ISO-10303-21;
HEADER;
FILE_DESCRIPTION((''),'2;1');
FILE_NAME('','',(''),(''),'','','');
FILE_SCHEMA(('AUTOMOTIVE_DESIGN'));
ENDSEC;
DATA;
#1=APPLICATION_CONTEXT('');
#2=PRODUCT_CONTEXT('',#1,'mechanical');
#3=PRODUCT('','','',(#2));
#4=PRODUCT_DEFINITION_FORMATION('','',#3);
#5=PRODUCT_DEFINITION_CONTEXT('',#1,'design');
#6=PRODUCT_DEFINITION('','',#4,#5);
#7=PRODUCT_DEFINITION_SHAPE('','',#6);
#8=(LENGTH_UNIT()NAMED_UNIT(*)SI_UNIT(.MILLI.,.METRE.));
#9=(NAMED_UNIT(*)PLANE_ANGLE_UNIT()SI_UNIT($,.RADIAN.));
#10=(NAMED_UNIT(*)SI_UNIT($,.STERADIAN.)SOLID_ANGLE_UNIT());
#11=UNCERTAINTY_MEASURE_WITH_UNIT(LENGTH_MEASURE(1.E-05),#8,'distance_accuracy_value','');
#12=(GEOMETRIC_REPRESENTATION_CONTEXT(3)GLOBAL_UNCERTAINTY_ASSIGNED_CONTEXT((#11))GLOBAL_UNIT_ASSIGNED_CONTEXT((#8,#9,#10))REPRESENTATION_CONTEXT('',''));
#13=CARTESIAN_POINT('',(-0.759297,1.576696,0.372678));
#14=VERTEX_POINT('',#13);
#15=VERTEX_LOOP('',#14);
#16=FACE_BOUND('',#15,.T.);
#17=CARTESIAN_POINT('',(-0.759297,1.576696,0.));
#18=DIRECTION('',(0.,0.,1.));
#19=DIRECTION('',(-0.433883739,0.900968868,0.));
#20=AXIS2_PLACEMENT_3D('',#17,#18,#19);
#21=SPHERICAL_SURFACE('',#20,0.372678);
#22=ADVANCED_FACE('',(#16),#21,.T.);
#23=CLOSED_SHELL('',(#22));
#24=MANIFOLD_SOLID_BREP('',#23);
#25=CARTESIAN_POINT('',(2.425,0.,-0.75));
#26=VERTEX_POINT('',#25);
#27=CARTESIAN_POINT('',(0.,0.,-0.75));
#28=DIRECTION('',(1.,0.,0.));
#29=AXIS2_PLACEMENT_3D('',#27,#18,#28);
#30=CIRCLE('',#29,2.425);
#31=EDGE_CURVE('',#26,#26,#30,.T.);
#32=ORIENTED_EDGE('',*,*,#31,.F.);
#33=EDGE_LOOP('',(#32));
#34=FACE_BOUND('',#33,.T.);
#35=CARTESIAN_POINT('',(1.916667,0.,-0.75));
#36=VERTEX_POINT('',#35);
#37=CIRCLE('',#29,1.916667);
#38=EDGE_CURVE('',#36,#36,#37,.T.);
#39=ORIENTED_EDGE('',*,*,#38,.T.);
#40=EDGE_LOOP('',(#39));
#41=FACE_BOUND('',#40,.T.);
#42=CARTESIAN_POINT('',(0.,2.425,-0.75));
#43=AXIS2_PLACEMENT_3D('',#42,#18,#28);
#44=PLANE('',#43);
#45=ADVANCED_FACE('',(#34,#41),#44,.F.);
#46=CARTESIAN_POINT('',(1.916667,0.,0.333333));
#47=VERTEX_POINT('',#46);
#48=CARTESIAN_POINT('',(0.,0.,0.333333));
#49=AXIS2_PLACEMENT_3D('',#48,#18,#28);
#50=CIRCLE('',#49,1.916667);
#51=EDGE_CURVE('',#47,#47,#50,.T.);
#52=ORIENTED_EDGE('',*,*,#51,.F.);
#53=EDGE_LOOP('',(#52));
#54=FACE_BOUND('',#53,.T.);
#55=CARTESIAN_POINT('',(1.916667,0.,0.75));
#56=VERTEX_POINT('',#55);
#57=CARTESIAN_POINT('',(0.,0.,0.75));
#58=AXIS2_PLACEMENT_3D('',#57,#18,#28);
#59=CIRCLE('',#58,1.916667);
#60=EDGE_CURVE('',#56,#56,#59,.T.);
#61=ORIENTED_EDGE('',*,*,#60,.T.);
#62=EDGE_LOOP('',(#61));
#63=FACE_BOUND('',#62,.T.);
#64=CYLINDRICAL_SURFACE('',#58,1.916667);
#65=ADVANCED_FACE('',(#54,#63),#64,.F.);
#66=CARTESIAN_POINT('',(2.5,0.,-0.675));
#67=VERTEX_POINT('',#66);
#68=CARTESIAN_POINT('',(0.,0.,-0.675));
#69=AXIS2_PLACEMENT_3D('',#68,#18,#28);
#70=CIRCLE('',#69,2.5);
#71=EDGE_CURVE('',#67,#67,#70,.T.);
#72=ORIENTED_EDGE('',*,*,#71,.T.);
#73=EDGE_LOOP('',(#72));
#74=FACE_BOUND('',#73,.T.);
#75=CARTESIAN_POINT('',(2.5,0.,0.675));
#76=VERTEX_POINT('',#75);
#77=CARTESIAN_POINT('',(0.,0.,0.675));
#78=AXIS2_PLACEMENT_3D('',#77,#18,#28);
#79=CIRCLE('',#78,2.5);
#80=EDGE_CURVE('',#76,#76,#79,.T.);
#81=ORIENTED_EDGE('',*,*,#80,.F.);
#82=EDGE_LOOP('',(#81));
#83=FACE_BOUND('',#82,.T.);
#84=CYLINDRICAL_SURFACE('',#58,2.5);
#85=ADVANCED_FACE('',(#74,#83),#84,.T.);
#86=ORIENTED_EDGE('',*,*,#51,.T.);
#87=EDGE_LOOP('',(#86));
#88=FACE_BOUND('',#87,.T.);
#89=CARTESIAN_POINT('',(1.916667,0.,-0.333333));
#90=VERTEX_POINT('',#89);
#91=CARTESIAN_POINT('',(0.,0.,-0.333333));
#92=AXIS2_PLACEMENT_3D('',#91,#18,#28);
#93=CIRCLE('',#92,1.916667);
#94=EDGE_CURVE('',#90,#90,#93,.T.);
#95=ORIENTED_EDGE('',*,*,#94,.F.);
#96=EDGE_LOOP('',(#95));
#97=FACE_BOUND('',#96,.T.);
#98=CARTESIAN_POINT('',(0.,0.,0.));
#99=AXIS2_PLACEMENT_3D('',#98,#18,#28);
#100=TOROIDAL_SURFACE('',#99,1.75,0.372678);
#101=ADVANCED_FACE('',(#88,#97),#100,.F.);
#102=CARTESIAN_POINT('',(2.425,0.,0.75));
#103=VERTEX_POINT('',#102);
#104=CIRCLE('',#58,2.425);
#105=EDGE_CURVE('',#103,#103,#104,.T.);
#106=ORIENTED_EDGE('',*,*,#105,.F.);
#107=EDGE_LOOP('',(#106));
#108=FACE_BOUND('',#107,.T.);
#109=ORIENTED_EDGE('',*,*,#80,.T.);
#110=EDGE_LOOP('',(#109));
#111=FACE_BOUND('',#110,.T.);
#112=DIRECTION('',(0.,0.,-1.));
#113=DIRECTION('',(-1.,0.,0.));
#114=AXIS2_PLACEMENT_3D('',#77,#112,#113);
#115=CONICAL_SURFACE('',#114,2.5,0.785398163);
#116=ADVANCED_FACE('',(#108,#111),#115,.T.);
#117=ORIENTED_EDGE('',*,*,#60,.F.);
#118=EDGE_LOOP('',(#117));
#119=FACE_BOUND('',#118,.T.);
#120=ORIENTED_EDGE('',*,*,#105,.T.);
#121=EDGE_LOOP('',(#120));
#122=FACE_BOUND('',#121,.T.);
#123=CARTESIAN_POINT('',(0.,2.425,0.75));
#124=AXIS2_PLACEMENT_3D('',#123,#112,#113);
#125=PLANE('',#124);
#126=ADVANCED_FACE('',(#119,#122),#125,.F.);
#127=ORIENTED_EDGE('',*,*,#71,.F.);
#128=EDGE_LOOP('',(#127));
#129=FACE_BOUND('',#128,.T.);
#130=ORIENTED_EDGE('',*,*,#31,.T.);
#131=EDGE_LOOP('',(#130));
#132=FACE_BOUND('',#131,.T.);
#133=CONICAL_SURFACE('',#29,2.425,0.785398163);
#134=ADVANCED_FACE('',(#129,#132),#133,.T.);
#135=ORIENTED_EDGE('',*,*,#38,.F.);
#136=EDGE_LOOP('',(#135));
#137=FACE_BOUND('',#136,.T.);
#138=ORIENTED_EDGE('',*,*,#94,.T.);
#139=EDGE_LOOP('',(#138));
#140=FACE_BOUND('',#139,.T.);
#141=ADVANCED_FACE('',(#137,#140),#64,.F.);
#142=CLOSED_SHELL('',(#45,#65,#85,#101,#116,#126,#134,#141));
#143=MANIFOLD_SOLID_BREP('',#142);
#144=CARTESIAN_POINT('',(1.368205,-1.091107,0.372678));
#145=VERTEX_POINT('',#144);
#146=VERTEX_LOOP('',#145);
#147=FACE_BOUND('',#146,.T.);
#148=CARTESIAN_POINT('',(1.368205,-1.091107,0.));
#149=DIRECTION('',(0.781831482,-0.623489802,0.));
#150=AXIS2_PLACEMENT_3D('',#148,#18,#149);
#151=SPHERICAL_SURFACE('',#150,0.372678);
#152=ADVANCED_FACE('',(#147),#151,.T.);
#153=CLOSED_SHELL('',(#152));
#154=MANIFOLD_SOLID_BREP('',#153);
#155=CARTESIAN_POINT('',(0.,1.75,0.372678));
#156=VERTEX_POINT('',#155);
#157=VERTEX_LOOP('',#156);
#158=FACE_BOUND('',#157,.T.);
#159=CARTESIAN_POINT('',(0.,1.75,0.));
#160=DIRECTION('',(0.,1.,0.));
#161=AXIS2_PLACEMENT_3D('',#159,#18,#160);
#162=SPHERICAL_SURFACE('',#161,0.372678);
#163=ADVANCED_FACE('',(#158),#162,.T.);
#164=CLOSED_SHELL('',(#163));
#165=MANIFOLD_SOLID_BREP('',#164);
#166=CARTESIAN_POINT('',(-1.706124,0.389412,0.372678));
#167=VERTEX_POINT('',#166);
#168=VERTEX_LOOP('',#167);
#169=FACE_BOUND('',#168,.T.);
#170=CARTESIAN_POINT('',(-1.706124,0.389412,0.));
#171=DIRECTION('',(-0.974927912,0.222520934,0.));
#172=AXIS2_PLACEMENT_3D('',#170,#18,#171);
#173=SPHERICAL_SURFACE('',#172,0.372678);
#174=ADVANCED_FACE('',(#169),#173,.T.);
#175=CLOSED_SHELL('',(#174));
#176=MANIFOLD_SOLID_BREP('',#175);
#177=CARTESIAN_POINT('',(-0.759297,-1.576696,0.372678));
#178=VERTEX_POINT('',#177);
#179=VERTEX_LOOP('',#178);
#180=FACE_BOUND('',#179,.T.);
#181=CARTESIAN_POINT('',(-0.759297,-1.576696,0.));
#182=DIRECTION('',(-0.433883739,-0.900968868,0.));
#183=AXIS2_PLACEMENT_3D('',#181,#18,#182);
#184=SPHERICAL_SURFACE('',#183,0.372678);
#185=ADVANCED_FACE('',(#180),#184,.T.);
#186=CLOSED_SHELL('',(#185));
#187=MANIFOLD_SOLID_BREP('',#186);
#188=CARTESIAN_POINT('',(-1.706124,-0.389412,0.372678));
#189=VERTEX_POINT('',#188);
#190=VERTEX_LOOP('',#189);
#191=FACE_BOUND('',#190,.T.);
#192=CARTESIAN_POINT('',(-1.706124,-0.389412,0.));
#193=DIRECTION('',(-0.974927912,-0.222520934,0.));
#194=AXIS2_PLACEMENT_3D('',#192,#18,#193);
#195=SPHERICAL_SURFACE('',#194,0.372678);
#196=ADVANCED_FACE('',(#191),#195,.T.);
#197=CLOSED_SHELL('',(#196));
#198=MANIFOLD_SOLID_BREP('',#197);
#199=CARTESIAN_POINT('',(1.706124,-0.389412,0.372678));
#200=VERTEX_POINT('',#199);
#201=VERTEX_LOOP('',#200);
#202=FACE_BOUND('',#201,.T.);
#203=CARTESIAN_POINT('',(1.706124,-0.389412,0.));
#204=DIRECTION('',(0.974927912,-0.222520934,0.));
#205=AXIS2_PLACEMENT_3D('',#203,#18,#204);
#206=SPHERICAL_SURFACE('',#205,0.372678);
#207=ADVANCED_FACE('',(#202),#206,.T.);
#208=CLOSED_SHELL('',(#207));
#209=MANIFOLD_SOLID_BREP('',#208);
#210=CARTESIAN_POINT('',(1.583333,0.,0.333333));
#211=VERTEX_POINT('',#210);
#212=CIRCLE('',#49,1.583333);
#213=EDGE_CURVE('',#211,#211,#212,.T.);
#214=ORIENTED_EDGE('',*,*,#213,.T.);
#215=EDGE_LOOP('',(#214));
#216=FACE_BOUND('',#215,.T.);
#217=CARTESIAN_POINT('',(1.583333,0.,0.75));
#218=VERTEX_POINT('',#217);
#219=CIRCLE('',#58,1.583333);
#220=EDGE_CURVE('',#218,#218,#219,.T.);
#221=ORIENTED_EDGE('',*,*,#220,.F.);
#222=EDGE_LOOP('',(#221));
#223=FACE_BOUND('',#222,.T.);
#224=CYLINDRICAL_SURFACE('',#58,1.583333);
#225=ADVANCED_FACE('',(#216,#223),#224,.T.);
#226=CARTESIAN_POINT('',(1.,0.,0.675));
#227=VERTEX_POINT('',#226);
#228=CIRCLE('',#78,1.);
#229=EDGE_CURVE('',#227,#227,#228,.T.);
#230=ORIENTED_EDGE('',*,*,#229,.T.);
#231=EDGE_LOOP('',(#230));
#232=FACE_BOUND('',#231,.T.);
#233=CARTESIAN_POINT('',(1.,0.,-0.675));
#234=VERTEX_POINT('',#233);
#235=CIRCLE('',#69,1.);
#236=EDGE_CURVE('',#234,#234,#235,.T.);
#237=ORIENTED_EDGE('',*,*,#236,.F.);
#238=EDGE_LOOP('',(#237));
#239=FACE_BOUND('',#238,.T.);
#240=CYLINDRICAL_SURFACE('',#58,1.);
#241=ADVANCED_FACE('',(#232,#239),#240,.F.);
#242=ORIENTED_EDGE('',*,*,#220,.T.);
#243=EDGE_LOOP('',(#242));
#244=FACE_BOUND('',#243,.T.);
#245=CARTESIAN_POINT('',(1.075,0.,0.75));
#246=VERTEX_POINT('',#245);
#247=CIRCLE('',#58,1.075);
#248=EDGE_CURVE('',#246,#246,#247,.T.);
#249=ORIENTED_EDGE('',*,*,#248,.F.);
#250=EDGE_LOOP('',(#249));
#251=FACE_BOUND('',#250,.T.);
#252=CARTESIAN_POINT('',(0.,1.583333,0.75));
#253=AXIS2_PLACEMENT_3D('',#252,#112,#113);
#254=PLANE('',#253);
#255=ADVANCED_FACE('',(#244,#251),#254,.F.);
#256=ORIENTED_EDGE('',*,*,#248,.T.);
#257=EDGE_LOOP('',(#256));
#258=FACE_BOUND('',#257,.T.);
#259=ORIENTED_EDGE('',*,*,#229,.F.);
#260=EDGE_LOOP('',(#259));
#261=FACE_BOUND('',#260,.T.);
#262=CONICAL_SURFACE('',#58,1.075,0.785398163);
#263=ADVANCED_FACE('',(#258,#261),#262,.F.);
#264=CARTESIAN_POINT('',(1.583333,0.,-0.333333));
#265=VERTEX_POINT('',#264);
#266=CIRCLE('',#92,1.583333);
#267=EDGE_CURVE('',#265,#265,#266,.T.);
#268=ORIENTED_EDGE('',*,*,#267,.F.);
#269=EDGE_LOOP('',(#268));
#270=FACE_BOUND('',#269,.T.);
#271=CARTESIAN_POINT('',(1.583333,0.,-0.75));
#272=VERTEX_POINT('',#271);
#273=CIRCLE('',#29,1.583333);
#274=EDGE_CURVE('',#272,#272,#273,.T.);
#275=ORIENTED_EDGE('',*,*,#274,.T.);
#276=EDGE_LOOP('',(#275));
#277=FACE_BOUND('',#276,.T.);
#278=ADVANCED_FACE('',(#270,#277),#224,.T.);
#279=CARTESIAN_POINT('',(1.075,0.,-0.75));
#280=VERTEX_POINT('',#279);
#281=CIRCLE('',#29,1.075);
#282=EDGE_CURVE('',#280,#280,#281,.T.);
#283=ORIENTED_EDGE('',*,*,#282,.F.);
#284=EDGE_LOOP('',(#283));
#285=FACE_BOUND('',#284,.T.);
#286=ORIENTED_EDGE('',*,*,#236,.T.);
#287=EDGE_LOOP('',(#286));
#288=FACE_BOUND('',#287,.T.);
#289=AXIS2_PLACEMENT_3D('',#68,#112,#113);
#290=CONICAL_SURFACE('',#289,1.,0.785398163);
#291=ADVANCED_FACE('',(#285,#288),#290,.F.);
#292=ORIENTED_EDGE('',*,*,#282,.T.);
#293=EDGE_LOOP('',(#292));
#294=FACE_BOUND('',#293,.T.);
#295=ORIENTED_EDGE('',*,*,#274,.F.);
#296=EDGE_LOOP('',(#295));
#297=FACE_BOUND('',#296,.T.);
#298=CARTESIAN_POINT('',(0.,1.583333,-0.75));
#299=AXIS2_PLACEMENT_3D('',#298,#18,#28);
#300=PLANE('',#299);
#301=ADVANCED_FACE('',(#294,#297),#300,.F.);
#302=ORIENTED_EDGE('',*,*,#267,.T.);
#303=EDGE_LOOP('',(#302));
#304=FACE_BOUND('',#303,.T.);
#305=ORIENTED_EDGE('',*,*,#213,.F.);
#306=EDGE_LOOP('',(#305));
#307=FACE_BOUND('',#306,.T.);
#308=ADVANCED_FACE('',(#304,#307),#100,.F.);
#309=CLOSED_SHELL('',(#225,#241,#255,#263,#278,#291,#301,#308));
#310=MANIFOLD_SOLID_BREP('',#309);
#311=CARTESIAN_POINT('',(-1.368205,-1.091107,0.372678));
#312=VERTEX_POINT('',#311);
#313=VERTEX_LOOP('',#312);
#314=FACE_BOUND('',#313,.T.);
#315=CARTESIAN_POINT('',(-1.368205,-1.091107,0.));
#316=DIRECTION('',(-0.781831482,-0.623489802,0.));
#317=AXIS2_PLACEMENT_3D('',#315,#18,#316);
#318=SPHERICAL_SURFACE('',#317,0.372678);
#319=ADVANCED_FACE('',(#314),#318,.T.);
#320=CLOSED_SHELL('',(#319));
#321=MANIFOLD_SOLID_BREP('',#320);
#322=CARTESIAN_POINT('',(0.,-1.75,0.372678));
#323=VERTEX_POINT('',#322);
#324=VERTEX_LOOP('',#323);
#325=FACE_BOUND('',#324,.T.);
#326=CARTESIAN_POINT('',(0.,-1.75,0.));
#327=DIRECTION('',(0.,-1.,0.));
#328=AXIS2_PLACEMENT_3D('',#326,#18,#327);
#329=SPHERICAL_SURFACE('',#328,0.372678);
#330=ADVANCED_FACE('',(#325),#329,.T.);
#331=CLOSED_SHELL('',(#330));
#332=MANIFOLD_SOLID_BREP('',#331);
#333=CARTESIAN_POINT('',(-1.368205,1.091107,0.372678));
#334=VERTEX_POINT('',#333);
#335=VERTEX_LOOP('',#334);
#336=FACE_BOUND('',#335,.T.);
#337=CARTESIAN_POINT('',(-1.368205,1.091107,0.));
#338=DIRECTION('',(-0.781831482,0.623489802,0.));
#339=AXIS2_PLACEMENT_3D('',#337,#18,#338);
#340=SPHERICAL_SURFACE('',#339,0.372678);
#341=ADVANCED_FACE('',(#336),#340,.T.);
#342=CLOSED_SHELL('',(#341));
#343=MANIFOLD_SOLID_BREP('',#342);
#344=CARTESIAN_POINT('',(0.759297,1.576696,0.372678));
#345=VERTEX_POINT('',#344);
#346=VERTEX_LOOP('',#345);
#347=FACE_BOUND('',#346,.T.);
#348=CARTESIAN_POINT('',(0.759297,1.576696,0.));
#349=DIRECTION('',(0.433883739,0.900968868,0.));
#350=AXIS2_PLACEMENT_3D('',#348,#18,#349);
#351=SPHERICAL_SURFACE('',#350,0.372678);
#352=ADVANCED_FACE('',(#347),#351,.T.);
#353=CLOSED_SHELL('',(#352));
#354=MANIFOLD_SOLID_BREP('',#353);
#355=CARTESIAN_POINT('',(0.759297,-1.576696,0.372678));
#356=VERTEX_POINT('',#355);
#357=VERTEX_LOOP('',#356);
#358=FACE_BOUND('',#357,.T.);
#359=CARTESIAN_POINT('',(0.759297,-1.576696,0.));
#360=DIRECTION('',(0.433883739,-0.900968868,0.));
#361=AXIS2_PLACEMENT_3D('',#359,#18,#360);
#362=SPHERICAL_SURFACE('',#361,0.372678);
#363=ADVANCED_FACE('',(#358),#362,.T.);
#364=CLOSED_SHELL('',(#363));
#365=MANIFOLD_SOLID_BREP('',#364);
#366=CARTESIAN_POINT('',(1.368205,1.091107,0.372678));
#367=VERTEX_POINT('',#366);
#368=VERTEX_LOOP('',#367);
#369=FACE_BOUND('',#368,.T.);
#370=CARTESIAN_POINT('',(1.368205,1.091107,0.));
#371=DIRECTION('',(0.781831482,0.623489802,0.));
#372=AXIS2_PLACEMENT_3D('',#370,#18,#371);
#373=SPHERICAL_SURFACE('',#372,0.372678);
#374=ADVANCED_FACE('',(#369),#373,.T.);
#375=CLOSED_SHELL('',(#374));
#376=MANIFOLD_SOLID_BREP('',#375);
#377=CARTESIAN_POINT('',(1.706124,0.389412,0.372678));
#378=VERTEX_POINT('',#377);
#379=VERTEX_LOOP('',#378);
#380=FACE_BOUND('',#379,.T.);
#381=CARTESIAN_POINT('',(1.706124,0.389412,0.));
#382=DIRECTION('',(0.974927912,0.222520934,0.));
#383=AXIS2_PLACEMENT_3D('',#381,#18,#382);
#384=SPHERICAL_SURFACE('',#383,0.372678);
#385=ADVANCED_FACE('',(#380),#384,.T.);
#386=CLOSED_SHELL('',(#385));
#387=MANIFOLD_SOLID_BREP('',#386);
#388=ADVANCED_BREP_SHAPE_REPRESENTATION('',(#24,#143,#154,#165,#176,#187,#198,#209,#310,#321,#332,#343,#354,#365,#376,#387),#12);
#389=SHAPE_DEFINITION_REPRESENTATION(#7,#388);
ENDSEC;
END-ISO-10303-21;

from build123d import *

# Parameters (mm, degrees)
CIRPATTERN1_COUNT = 14


with BuildPart() as part:
    # Sketch1 → Revolve1 (revolve)
    with BuildSketch(Plane(origin=(0, 0, 0), x_dir=(0, 0, -1), z_dir=(1, 0, 0))):
        with BuildLine():
            Line((0.675, 2.5), (-0.675, 2.5))
            Line((-0.675, 2.5), (-0.75, 2.425))
            Line((-0.75, 2.425), (-0.75, 1.916666667))
            Line((-0.75, 1.916666667), (-0.333333333, 1.916666667))
            ThreePointArc((-0.333333333, 1.916666667), (0, 2.122677996), (0.333333333, 1.916666667))
            Line((0.333333333, 1.916666667), (0.75, 1.916666667))
            Line((0.75, 1.916666667), (0.75, 2.425))
            Line((0.75, 2.425), (0.675, 2.5))
        make_face()
    revolve(axis=Axis((0, 0, 0.75), (0, 0, -1)))


with BuildPart() as body_2:
    # Sketch2 → Revolve2 (revolve)
    with BuildSketch(Plane(origin=(0, 0, 0), x_dir=(0, 0, -1), z_dir=(1, 0, 0))):
        with BuildLine():
            Line((-0.75, 1.583333333), (-0.333333333, 1.583333333))
            ThreePointArc((-0.333333333, 1.583333333), (0, 1.377322004), (0.333333333, 1.583333333))
            Line((0.333333333, 1.583333333), (0.75, 1.583333333))
            Line((0.75, 1.583333333), (0.75, 1.075))
            Line((0.75, 1.075), (0.675, 1))
            Line((0.675, 1), (-0.675, 1))
            Line((-0.675, 1), (-0.75, 1.075))
            Line((-0.75, 1.075), (-0.75, 1.583333333))
        make_face()
    revolve(axis=Axis((0, 0, 0.75), (0, 0, -1)))


with BuildPart() as body_3:
    # Sketch3 → Revolve3 (revolve)
    with BuildSketch(Plane(origin=(0, 0, 0), x_dir=(0, 0, -1), z_dir=(1, 0, 0))):
        with BuildLine():
            Line((-0.372677996, 1.75), (0.372677996, 1.75))
            ThreePointArc((0.372677996, 1.75), (0, 2.122677996), (-0.372677996, 1.75))
        make_face()
    revolve(axis=Axis((0, 1.75, 0.372677996), (0, 0, -1)))


with BuildPart() as cirpattern1_1:
    # CirPattern1: pattern copy
    add(body_3.part.rotate(Axis((0, 0, -0.75), (0, 0, 1)), 1 * 360 / CIRPATTERN1_COUNT))


with BuildPart() as cirpattern1_2:
    # CirPattern1: pattern copy
    add(body_3.part.rotate(Axis((0, 0, -0.75), (0, 0, 1)), 2 * 360 / CIRPATTERN1_COUNT))


with BuildPart() as cirpattern1_3:
    # CirPattern1: pattern copy
    add(body_3.part.rotate(Axis((0, 0, -0.75), (0, 0, 1)), 3 * 360 / CIRPATTERN1_COUNT))


with BuildPart() as cirpattern1_4:
    # CirPattern1: pattern copy
    add(body_3.part.rotate(Axis((0, 0, -0.75), (0, 0, 1)), 4 * 360 / CIRPATTERN1_COUNT))


with BuildPart() as cirpattern1_5:
    # CirPattern1: pattern copy
    add(body_3.part.rotate(Axis((0, 0, -0.75), (0, 0, 1)), 5 * 360 / CIRPATTERN1_COUNT))


with BuildPart() as cirpattern1_6:
    # CirPattern1: pattern copy
    add(body_3.part.rotate(Axis((0, 0, -0.75), (0, 0, 1)), 6 * 360 / CIRPATTERN1_COUNT))


with BuildPart() as cirpattern1_7:
    # CirPattern1: pattern copy
    add(body_3.part.rotate(Axis((0, 0, -0.75), (0, 0, 1)), 7 * 360 / CIRPATTERN1_COUNT))


with BuildPart() as cirpattern1_8:
    # CirPattern1: pattern copy
    add(body_3.part.rotate(Axis((0, 0, -0.75), (0, 0, 1)), 8 * 360 / CIRPATTERN1_COUNT))


with BuildPart() as cirpattern1_9:
    # CirPattern1: pattern copy
    add(body_3.part.rotate(Axis((0, 0, -0.75), (0, 0, 1)), 9 * 360 / CIRPATTERN1_COUNT))


with BuildPart() as cirpattern1_10:
    # CirPattern1: pattern copy
    add(body_3.part.rotate(Axis((0, 0, -0.75), (0, 0, 1)), 10 * 360 / CIRPATTERN1_COUNT))


with BuildPart() as cirpattern1_11:
    # CirPattern1: pattern copy
    add(body_3.part.rotate(Axis((0, 0, -0.75), (0, 0, 1)), 11 * 360 / CIRPATTERN1_COUNT))


with BuildPart() as cirpattern1_12:
    # CirPattern1: pattern copy
    add(body_3.part.rotate(Axis((0, 0, -0.75), (0, 0, 1)), 12 * 360 / CIRPATTERN1_COUNT))


with BuildPart() as cirpattern1_13:
    # CirPattern1: pattern copy
    add(body_3.part.rotate(Axis((0, 0, -0.75), (0, 0, 1)), 13 * 360 / CIRPATTERN1_COUNT))


solid = Compound([part.part, body_2.part, body_3.part, cirpattern1_1.part, cirpattern1_2.part, cirpattern1_3.part, cirpattern1_4.part, cirpattern1_5.part, cirpattern1_6.part, cirpattern1_7.part, cirpattern1_8.part, cirpattern1_9.part, cirpattern1_10.part, cirpattern1_11.part, cirpattern1_12.part, cirpattern1_13.part])
